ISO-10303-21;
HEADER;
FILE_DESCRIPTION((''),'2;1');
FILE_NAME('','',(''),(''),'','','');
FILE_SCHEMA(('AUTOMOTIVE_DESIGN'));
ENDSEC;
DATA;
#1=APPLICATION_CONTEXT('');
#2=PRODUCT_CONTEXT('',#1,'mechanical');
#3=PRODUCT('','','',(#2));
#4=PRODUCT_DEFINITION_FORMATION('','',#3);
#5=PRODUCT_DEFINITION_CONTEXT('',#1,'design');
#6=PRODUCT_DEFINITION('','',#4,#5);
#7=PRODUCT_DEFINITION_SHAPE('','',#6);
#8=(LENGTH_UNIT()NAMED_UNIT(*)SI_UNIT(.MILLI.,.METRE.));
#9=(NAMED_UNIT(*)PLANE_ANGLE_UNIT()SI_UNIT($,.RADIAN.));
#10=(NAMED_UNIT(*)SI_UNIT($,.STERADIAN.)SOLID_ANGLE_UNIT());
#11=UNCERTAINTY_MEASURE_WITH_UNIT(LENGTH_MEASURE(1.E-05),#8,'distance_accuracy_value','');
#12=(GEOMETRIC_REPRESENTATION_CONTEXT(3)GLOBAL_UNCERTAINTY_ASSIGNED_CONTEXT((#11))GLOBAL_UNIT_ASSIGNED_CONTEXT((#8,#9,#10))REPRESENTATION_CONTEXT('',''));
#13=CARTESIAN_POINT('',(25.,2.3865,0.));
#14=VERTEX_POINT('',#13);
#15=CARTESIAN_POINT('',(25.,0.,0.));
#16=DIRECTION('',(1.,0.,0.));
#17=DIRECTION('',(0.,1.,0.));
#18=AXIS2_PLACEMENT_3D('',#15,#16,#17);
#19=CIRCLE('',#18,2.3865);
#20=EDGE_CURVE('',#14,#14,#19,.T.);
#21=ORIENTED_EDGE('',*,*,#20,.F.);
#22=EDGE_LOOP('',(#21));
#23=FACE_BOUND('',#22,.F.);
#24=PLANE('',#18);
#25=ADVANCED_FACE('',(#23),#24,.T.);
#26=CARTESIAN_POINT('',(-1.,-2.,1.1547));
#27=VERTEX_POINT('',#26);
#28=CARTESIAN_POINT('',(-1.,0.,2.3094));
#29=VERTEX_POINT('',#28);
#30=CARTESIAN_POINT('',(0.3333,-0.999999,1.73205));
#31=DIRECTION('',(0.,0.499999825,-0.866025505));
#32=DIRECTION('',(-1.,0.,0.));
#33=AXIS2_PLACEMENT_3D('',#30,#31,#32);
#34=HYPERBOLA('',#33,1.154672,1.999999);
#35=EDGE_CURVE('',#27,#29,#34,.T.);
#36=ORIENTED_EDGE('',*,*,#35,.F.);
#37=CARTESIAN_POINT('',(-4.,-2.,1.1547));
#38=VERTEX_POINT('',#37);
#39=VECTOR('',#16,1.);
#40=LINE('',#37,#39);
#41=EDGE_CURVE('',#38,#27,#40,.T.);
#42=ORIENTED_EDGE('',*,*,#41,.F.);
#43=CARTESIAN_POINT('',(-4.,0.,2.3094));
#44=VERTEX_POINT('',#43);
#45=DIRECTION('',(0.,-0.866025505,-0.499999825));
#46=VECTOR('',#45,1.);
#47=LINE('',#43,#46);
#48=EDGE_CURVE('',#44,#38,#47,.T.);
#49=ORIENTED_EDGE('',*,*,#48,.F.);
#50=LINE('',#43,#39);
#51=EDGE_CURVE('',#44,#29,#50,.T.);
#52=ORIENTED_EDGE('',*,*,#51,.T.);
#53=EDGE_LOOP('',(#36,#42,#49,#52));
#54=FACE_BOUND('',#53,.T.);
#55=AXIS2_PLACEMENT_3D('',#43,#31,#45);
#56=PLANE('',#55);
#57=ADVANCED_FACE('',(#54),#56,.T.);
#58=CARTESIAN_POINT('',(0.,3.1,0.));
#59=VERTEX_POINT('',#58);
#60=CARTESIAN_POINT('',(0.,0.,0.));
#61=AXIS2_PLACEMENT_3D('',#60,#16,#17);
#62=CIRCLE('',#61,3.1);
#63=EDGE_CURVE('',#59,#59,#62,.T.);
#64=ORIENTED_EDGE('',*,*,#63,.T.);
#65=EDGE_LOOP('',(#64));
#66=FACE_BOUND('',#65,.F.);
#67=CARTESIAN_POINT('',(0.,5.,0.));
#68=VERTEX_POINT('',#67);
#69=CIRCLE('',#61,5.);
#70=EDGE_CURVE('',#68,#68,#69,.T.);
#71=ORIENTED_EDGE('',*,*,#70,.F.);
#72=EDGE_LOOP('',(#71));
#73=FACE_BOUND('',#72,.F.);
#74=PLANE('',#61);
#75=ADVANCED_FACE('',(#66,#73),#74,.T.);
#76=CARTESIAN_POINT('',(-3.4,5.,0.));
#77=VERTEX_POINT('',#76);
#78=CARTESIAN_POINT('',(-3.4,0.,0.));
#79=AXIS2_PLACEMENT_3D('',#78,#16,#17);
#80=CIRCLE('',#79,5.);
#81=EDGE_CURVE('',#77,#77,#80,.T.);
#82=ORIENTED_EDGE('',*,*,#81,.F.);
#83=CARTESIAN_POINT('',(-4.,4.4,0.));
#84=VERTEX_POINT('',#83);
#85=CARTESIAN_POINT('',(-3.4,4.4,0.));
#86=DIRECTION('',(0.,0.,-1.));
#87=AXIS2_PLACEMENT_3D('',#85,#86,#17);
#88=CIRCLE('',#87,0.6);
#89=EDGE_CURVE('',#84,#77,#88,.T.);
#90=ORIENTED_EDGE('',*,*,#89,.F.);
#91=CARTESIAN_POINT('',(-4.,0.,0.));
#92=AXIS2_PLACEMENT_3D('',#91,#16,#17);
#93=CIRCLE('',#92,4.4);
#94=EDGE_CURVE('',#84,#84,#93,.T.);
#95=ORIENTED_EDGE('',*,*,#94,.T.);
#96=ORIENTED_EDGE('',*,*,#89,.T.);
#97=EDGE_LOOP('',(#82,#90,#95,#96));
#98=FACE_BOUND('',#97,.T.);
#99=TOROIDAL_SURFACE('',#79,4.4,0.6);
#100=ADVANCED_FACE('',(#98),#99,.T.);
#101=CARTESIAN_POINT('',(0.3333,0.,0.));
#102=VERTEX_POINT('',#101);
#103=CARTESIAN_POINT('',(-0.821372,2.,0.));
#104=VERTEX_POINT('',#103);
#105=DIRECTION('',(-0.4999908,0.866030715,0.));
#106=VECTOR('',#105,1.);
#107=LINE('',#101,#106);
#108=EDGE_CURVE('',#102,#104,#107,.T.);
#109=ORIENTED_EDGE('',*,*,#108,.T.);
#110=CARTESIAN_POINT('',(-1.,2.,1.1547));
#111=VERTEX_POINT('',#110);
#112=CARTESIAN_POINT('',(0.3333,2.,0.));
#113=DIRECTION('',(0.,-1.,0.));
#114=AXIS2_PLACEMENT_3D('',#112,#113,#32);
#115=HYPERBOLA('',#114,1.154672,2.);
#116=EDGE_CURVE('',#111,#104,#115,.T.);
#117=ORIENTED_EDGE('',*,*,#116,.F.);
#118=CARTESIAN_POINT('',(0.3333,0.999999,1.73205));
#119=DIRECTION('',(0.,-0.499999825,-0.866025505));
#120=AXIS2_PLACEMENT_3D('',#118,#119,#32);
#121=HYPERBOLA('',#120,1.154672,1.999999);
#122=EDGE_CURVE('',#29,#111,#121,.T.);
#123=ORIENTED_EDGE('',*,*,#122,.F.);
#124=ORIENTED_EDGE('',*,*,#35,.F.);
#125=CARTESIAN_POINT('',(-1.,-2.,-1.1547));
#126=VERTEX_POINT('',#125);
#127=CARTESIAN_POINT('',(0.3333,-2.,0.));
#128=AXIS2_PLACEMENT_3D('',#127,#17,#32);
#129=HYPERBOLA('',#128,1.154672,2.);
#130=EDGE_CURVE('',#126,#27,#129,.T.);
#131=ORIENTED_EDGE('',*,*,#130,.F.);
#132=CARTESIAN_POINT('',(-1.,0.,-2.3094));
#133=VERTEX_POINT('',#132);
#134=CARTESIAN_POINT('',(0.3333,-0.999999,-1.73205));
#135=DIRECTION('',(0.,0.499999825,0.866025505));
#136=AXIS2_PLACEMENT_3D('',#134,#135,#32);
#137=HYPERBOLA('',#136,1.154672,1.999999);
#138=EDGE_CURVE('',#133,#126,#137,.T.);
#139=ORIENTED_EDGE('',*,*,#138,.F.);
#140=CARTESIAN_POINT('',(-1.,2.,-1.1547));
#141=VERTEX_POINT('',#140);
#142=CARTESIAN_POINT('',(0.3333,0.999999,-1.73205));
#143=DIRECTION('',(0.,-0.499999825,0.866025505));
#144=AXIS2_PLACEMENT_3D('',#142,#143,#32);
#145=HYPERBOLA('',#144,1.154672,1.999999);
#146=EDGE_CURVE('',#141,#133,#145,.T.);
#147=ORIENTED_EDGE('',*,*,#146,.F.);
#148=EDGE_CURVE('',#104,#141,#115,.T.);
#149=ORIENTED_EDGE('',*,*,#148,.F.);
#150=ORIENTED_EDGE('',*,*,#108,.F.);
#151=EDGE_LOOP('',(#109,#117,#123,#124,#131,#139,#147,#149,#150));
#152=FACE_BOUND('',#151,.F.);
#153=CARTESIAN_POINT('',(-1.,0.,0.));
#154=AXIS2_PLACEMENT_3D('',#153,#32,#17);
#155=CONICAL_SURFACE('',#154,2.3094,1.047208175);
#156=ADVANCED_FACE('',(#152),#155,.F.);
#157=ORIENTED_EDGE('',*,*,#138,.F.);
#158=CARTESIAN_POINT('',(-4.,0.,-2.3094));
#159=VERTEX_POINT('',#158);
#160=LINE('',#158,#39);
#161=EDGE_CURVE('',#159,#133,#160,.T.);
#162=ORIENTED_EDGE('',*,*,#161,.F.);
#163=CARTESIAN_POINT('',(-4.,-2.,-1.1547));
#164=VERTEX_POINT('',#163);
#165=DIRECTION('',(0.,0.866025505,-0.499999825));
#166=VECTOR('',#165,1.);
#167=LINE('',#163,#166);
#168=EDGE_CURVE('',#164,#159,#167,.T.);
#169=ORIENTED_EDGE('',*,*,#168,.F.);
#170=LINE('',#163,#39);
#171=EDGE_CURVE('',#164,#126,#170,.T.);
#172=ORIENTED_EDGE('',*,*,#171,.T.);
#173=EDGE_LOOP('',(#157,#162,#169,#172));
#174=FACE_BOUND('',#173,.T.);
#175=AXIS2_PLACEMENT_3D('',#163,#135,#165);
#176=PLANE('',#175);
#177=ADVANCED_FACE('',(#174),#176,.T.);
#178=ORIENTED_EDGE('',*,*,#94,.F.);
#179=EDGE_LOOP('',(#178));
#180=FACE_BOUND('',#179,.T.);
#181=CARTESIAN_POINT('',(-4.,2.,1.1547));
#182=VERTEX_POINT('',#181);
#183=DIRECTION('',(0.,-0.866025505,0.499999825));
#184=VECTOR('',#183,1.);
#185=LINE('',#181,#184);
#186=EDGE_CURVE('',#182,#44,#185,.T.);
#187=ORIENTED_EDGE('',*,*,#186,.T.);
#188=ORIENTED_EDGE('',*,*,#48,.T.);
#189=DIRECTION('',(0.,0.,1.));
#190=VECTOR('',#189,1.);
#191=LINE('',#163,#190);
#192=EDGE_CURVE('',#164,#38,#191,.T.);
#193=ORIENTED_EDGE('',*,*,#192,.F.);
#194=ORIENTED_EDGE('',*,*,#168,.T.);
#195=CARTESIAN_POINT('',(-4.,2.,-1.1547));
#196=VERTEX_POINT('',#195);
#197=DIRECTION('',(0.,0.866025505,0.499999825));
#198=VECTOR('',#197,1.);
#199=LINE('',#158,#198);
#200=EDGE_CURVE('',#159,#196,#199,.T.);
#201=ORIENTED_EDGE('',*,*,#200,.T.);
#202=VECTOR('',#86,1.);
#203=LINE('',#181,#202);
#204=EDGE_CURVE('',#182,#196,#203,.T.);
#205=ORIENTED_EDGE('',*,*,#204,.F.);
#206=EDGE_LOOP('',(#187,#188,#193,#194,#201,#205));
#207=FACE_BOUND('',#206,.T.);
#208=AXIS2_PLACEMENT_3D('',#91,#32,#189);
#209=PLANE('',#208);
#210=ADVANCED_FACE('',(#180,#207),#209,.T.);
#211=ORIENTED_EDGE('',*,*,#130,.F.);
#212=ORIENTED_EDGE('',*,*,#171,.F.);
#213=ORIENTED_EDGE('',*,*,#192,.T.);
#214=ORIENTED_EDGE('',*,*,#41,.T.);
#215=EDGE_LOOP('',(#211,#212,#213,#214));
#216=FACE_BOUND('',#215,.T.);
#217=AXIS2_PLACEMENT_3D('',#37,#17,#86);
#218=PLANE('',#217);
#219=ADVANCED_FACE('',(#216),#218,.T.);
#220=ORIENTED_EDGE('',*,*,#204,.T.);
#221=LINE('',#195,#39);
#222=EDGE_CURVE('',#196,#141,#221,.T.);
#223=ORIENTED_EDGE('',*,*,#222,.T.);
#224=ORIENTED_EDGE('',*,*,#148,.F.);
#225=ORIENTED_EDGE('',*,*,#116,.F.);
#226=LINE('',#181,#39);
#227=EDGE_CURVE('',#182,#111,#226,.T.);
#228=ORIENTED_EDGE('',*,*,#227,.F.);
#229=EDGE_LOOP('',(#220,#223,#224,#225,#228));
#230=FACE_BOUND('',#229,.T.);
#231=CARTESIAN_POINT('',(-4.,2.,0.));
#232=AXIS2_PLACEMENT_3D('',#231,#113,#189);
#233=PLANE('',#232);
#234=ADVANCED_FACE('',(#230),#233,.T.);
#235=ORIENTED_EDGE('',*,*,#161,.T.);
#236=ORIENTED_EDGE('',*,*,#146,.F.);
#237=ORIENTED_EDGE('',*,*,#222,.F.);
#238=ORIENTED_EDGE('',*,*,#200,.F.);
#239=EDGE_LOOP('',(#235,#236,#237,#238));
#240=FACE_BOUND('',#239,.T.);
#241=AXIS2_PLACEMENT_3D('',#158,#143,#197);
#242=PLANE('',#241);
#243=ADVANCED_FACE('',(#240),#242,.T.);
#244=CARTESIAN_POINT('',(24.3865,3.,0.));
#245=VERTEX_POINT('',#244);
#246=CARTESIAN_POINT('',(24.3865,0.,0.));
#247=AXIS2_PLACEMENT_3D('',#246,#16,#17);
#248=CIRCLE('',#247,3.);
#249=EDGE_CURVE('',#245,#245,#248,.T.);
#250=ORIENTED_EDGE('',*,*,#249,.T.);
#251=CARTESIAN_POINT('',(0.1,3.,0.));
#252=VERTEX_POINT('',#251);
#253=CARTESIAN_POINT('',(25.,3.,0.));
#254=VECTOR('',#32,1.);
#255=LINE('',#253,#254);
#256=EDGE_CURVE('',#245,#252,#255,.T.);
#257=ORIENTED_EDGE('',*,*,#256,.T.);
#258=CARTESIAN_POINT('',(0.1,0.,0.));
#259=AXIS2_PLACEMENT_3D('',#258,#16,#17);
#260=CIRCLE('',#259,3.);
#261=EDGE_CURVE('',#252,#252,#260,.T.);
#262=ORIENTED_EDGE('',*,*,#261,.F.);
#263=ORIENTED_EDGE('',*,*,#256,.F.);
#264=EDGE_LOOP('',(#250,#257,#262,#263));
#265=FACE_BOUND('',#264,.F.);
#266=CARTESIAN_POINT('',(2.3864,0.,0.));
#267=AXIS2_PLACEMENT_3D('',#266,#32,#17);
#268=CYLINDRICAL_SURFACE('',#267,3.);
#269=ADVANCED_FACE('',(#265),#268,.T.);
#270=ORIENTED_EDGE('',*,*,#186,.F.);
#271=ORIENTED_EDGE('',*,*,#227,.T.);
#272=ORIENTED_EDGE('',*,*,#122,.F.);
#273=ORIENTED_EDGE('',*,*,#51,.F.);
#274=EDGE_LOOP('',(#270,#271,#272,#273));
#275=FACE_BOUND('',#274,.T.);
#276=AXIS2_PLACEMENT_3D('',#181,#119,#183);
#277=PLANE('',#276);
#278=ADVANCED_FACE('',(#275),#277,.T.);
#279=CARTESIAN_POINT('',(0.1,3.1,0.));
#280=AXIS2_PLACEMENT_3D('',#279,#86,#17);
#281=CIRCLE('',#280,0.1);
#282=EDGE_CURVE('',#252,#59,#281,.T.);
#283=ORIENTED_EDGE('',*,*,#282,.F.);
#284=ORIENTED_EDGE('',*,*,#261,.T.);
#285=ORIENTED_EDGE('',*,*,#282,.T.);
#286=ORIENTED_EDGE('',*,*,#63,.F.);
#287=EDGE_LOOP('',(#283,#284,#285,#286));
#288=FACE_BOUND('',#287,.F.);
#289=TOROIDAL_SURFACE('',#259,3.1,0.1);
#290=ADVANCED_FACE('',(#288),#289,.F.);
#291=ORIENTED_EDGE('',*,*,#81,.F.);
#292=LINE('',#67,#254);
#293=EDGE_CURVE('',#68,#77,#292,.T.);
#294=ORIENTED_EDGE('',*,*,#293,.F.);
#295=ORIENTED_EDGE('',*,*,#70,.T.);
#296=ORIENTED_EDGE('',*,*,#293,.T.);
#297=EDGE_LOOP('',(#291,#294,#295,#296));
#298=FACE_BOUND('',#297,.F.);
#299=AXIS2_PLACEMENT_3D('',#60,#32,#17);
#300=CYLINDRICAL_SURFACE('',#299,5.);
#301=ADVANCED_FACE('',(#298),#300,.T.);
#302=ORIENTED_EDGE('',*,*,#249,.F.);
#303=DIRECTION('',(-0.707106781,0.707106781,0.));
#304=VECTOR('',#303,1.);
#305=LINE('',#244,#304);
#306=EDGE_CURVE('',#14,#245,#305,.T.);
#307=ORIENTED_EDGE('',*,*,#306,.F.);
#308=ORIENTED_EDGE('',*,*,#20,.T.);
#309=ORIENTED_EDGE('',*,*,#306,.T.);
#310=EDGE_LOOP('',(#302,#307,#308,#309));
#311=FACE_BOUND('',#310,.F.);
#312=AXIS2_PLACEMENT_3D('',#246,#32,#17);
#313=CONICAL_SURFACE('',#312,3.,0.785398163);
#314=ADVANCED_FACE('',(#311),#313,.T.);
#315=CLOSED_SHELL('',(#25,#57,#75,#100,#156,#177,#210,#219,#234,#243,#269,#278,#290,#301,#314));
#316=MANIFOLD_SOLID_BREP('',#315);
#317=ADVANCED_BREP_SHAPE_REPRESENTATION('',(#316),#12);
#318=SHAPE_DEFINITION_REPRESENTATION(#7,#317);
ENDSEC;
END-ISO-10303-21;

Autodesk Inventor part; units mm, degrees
ref_plane "YZ Plane" through (0, 0, 0) normal (1, 0, 0) x (0, 1, 0)
ref_plane "XZ Plane" through (0, 0, 0) normal (0, 1, 0) x (-1, 0, 0)
sketch "Sketch1" plane through (0, 0, 0) normal (0, 0, 1) x (1, 0, 0)
  line L0 (0.3333, 0) -> (25, 0)
  line L1 (25, 0) -> (25, 3)
  line L2 (25, 3) -> (3, 3)
  line L3 (3, 3) -> (2.3864, 3)
  line L4 (2.3864, 3) -> (0, 3)
  line L5 (0, 3) -> (0, 5)
  line L6 (0, 5) -> (-4, 5)
  line L7 (-4, 5) -> (-4, 2.3094)
  line L8 (-4, 2.3094) -> (-1, 2.3094)
  line L9 (-1, 2.3094) -> (0.3333, 0)
  line L10 (-9.8, 0) -> (30.8, 0) projected
  line L11 (0, -1) -> (0, 6) projected
  line L12 (3, 3) -> (0, 3) construction
  dimension "d1" = 22
  dimension "d2" = 0.6136
  dimension "d3" = 4
  dimension "d4" = 3
  dimension "d5" = 60
  dimension "d6" = 6
  dimension "d7" = 6
  dimension "d8" = 4.6188
  dimension "d9" = 10
  dimension "d26" = 25
revolve "Body" add sketch "Sketch1" angle 360 about axis through (0.3333, 0, 0) along (1, 0, 0) contours L9 L11 L4 L3 L2 L1 L0 | L9 L8 L7 L6 L5 L11
sketch "Sketch2" plane through (-4, 0, 0) normal (-1, 0, 0) x (0, 0, 1)
  circle A0 centre (0, 0) radius 2.3094 projected
  line L0 (0, -7) -> (0, 7) projected
  line L1 (-7, 0) -> (7, 0) projected
  line L2 (2.3094, 0) -> (1.1547, -2)
  line L3 (1.1547, -2) -> (-1.1547, -2)
  line L4 (-1.1547, -2) -> (-2.3094, 0)
  line L5 (-2.3094, 0) -> (-1.1547, 2)
  line L6 (-1.1547, 2) -> (1.1547, 2)
  line L7 (1.1547, 2) -> (2.3094, 0)
extrude "Slot" add sketch "Sketch2" against normal up to next contours L7 A0 | A0 L2 | L6 L0 A0 | A0 L0 L3 | L0 L6 A0 | A0 L3 L0 | L4 A0 | A0 L5
fillet "Fillet1" radius 0.6 1 edges at (-4, -5, 0)
thread "Thread" size "M6x1" class "6g" standard "ISO Metric profile" length 22
chamfer "Chamfer1" distance 0.6135 distance2 0.6135 1 edges at (25, -3, 0) measured on face at (25, -0.5681, -0.823)
ref_plane "Work Plane1" through (29, 0, 0) normal (0, -1, 0) x (1, 0, 0)
fillet "Fillet2" radius 0.1 1 edges at (0, -3, 0)
equation "\"d1\" = GEL"
equation "\"d3\" = KOH"
equation "\"d4\" = INTI"
equation "\"d6\" = GD"
equation "\"d7\" = BDM"
equation "\"d8\" = 1.1547 * SW"
equation "\"d9\" = KOD"
equation "\"d26\" = NLG"
equation "\"d30\" = R"
equation "\"d17\" = RR"
equation "\"d13\" = GEL"
equation "\"d15\" = -0.5 * SPD + 0.5 * GD"
equation "\"d16\" = GUL"
equation "\"GD\" = NND"
equation "\"NLG\" = 25"
equation "\"GEL\" = 22"
equation "\"KOD\" = 10"
equation "\"KOH\" = 4"
equation "\"INTI\" = 3"
equation "\"GAL\" = 0.61345 * PTC"
equation "\"GUL\" = 0.61345 * PTC"
equation "\"BDM\" = NND"
equation "\"SW\" = 4"
equation "\"RR\" = 0.6"
equation "\"SPD\" = NND - 1.2269 * PTC"
equation "\"R\" = 0.1"
equation "\"TOA\" = 30deg"
equation "\"GD1\" = THREADDIA - 1.2269 * PTC"
equation "\"THREADDIA\" = 6"
equation "\"FAWI\" = 45deg"
equation "\"ANG\" = 120deg"
equation "\"PTC\" = 1"
equation "\"NND\" = 6"
equation "\"E0\" = 1.155 * SW"
properties part number "DIN 7984 - M6 x 25" material "Steel, Mild"
